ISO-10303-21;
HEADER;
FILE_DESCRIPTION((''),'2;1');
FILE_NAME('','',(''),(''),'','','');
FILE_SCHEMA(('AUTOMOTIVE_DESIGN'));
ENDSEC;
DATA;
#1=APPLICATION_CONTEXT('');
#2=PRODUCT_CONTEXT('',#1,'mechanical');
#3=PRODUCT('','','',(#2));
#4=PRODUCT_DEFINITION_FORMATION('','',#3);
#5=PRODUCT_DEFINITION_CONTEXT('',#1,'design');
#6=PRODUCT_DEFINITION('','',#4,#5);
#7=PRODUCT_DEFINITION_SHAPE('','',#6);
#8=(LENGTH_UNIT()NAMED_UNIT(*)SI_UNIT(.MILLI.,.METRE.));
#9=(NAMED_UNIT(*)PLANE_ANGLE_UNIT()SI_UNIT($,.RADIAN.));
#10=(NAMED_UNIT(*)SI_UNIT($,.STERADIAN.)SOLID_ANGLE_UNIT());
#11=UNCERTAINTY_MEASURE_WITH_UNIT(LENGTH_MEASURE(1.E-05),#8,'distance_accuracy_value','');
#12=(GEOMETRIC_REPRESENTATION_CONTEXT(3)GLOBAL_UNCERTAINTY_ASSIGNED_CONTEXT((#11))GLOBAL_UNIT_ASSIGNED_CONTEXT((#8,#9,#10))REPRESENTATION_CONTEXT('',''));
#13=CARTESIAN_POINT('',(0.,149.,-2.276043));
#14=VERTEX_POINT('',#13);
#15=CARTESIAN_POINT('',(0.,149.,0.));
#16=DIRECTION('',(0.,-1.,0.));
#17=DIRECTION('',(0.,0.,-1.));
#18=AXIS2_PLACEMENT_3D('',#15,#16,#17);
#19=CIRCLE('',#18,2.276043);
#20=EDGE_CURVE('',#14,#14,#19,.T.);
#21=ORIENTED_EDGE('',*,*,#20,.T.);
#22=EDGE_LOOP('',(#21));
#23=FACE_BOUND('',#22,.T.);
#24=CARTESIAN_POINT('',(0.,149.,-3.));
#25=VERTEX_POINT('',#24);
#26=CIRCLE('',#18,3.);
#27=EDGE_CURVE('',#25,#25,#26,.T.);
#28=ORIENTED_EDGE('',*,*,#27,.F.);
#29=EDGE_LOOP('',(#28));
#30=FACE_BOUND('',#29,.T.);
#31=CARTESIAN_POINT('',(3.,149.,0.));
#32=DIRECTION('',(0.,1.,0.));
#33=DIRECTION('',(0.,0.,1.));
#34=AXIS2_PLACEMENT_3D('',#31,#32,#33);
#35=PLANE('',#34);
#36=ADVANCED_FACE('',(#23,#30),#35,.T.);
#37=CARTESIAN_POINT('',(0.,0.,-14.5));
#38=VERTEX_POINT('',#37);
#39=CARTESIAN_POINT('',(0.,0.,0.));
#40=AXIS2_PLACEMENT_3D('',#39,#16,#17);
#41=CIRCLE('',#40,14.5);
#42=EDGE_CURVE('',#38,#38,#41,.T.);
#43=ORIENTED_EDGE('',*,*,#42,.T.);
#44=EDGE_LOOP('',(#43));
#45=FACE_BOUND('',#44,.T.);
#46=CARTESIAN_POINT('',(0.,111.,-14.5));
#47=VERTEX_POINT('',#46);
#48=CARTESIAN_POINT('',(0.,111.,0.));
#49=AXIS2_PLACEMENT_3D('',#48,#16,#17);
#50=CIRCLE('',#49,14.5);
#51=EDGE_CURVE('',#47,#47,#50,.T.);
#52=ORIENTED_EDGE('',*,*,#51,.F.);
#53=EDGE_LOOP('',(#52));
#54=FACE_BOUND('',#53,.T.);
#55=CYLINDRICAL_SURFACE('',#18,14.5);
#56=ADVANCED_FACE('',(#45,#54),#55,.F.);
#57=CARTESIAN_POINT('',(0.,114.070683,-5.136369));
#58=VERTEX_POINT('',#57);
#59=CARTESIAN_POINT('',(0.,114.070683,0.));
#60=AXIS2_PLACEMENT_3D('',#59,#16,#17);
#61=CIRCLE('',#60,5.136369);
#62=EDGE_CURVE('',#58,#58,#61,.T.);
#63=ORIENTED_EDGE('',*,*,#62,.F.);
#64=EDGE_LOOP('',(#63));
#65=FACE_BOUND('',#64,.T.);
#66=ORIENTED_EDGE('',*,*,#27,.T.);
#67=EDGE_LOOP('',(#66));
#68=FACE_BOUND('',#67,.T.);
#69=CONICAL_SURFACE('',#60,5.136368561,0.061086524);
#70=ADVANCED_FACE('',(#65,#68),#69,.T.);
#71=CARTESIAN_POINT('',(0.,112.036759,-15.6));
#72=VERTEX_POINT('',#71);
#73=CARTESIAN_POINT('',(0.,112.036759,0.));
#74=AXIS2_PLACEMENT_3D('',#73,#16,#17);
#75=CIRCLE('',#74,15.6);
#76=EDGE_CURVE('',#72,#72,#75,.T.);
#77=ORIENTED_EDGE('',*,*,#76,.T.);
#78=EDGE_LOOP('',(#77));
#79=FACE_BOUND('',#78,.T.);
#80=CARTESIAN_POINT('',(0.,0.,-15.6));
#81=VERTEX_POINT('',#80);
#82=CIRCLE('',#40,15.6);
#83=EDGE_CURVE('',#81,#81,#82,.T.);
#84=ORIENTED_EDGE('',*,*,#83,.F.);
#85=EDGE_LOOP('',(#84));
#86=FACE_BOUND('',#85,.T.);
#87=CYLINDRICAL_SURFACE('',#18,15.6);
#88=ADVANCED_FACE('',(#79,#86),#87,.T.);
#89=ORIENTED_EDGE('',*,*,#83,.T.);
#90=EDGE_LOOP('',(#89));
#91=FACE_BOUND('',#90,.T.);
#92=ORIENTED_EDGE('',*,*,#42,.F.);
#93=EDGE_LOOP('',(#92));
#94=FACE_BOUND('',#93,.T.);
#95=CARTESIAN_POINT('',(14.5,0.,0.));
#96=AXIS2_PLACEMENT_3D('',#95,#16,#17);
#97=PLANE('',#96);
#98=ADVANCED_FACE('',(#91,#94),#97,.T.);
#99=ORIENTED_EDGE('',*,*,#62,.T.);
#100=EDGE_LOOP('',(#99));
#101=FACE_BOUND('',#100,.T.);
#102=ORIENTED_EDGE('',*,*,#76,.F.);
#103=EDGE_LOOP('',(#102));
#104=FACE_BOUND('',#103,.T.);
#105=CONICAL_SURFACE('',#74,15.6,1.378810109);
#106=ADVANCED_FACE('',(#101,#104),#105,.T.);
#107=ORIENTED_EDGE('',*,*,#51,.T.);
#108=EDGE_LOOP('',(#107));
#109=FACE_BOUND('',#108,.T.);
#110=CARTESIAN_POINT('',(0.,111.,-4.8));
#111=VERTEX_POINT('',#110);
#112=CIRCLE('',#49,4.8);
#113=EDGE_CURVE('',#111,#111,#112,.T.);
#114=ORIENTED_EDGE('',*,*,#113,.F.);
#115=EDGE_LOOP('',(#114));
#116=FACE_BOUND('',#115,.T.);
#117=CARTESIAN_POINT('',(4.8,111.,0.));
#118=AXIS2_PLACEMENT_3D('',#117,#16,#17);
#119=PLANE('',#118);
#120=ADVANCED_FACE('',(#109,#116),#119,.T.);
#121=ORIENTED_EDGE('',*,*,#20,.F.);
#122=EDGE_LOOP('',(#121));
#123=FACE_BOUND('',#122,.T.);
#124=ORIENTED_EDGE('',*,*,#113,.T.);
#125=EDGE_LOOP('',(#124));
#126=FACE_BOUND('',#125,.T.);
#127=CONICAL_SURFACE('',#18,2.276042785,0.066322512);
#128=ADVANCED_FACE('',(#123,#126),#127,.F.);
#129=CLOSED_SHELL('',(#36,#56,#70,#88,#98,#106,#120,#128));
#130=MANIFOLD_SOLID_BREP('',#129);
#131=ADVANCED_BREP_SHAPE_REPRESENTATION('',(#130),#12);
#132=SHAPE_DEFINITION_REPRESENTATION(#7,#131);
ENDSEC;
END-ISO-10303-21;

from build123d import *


with BuildPart() as part:
    # 草图1 → 旋转1 (revolve)
    with BuildSketch(Plane.XY):
        Polygon((14.5, 111), (14.5, 0), (15.6, 0), (15.6, 112.036758878), (5.136368561, 114.070682792), (3, 149), (2.276042785, 149), (4.8, 111), align=None)
    revolve(axis=Axis((0, 149, 0), (0, -1, 0)))


solid = part.part
